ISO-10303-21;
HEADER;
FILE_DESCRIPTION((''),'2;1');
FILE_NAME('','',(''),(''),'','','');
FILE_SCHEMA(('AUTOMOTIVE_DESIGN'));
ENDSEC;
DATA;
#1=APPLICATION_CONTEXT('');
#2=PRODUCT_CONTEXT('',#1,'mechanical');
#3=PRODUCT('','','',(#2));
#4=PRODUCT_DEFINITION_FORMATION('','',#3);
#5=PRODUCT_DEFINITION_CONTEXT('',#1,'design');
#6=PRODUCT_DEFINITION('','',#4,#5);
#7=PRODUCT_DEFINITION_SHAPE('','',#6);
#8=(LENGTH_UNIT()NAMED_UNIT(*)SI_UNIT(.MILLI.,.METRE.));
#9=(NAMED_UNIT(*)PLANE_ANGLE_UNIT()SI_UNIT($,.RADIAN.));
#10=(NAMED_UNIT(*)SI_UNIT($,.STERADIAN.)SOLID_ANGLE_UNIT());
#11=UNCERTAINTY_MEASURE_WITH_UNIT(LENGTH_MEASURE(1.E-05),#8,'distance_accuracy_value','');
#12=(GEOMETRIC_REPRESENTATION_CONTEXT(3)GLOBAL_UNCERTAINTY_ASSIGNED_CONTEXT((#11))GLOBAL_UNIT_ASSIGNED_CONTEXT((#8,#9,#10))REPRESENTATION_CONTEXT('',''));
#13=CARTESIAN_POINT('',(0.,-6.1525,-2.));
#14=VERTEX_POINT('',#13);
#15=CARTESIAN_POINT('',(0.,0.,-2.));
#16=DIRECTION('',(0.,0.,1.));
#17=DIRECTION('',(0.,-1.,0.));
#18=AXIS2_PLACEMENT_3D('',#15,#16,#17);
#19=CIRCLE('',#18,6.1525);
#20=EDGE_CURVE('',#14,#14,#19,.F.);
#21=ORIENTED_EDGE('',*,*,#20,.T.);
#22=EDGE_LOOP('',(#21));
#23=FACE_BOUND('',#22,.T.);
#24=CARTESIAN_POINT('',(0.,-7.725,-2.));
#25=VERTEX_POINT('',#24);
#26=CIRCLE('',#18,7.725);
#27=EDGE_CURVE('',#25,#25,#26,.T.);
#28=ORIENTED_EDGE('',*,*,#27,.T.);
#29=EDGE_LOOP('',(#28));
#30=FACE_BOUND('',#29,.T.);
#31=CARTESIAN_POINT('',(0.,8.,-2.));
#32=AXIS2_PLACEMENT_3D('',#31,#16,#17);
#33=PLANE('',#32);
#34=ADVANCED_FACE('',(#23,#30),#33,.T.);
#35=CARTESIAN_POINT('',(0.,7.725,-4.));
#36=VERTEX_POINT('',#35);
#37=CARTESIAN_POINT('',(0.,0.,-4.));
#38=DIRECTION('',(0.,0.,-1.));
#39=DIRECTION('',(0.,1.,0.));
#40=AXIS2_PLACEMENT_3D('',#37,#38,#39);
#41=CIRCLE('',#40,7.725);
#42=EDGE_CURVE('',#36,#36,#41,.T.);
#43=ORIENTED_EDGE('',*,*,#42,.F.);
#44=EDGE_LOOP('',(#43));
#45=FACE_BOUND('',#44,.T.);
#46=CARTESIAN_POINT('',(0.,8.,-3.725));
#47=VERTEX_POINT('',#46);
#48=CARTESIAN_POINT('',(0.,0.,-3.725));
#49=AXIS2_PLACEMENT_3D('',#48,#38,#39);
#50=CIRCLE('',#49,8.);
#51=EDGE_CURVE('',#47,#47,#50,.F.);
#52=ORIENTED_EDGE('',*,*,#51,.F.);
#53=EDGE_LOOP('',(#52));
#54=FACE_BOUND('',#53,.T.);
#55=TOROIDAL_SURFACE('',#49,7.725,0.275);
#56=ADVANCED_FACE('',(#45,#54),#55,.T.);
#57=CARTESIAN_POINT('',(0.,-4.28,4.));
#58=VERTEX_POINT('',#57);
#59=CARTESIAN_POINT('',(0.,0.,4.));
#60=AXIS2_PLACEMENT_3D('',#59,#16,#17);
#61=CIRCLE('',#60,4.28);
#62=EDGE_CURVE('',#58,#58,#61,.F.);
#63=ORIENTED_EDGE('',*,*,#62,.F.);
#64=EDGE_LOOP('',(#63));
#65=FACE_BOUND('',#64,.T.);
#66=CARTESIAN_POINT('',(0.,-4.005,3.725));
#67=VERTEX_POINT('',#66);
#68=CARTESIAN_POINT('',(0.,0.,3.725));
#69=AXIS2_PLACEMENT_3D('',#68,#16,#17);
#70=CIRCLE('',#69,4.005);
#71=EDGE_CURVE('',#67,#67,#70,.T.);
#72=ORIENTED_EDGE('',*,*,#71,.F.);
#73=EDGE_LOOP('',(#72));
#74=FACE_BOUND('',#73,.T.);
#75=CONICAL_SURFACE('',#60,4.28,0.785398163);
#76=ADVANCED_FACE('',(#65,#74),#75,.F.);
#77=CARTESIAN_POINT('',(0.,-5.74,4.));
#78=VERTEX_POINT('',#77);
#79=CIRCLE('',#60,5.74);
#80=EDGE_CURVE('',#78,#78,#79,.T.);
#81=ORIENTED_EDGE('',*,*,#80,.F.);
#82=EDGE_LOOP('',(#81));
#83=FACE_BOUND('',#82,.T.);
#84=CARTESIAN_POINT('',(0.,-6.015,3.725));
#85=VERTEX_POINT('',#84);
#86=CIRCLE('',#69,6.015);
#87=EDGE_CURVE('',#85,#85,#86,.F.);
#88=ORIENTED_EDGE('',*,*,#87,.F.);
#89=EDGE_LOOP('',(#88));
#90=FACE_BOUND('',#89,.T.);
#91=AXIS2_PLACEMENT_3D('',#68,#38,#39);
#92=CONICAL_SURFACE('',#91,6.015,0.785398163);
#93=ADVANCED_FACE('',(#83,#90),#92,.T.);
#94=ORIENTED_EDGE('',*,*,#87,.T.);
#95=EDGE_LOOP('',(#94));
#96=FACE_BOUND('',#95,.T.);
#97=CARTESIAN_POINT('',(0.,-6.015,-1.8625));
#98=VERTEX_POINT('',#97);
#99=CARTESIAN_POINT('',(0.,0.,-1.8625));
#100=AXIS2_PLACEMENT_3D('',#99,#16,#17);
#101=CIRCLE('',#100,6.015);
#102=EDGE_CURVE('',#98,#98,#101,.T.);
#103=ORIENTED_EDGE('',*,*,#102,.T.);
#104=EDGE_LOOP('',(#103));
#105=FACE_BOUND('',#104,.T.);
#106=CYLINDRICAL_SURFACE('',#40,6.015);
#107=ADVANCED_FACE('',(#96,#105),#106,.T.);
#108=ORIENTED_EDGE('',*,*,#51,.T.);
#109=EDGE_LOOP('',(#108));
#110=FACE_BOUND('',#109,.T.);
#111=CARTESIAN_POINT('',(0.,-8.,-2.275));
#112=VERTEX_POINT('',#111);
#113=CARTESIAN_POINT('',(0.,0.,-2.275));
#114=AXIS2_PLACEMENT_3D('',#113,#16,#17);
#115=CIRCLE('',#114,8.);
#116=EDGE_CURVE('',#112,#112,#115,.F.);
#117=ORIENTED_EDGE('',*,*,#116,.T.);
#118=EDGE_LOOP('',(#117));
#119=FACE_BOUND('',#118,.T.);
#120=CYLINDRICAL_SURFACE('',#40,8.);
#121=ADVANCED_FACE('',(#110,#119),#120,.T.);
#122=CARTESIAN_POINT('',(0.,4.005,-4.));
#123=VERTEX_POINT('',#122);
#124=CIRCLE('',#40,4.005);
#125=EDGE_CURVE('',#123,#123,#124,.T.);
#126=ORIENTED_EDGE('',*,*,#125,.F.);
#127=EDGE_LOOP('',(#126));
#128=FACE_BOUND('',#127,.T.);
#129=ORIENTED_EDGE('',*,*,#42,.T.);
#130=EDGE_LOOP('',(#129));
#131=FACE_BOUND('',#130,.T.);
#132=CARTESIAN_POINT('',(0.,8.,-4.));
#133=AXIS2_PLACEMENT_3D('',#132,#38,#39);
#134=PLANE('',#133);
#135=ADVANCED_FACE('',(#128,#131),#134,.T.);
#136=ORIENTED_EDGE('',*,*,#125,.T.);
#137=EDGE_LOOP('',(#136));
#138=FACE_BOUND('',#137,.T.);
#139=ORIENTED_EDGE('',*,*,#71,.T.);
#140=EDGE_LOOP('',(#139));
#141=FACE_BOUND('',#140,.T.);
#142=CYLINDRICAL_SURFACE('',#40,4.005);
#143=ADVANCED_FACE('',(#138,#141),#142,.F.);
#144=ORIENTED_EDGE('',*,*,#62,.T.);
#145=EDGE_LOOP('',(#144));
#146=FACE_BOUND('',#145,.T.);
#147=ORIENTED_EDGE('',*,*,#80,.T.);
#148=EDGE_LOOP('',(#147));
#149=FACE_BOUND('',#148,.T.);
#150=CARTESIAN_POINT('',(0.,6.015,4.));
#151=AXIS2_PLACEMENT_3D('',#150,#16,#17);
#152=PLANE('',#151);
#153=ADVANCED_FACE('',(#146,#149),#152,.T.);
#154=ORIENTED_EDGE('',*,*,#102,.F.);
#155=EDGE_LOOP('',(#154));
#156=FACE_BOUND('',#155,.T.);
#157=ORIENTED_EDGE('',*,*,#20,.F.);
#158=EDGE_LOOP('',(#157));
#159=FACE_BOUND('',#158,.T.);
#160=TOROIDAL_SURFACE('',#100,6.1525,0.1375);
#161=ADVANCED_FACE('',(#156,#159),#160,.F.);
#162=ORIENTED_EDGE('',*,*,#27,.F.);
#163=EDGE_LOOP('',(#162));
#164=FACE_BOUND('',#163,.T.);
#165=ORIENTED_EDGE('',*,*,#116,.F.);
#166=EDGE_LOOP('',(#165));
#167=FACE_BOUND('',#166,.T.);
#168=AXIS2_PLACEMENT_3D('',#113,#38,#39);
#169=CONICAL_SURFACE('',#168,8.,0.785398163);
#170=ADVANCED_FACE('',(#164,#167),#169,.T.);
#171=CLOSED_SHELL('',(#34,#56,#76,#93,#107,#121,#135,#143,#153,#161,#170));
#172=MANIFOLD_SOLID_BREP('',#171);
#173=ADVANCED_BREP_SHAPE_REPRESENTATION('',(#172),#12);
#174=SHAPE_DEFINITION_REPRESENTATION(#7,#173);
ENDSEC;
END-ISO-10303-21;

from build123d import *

# Parameters (mm, degrees)
CHAMFER1_SIZE = 0.275
FILLET1_R     = 0.275
FILLET2_R     = 0.1375


with BuildPart() as part:
    # Sketch3 → Revolve1 (revolve)
    with BuildSketch(Plane(origin=(0, 0, 0), x_dir=(0, 0, -1), z_dir=(1, 0, 0))):
        Polygon((4, 8), (2, 8), (2, 6.015), (-4, 6.015), (-4, 4.005), (4, 4.005), align=None)
    revolve(axis=Axis((0, 0, -4), (0, 0, 1)))

    # Chamfer1
    chamfer1_edges = [part.edges().sort_by_distance(p)[0] for p in [
        (0, -4.005, 4),
        (0, -6.015, 4),
        (0, -8, -2),
    ]]
    chamfer(chamfer1_edges, length=CHAMFER1_SIZE)

    # Fillet1
    fillet1_edges = [part.edges().sort_by_distance(p)[0] for p in [
        (0, -8, -4),
    ]]
    fillet(fillet1_edges, radius=FILLET1_R)

    # Fillet2
    fillet2_edges = [part.edges().sort_by_distance(p)[0] for p in [
        (0, -6.015, -2),
    ]]
    fillet(fillet2_edges, radius=FILLET2_R)


solid = part.part
